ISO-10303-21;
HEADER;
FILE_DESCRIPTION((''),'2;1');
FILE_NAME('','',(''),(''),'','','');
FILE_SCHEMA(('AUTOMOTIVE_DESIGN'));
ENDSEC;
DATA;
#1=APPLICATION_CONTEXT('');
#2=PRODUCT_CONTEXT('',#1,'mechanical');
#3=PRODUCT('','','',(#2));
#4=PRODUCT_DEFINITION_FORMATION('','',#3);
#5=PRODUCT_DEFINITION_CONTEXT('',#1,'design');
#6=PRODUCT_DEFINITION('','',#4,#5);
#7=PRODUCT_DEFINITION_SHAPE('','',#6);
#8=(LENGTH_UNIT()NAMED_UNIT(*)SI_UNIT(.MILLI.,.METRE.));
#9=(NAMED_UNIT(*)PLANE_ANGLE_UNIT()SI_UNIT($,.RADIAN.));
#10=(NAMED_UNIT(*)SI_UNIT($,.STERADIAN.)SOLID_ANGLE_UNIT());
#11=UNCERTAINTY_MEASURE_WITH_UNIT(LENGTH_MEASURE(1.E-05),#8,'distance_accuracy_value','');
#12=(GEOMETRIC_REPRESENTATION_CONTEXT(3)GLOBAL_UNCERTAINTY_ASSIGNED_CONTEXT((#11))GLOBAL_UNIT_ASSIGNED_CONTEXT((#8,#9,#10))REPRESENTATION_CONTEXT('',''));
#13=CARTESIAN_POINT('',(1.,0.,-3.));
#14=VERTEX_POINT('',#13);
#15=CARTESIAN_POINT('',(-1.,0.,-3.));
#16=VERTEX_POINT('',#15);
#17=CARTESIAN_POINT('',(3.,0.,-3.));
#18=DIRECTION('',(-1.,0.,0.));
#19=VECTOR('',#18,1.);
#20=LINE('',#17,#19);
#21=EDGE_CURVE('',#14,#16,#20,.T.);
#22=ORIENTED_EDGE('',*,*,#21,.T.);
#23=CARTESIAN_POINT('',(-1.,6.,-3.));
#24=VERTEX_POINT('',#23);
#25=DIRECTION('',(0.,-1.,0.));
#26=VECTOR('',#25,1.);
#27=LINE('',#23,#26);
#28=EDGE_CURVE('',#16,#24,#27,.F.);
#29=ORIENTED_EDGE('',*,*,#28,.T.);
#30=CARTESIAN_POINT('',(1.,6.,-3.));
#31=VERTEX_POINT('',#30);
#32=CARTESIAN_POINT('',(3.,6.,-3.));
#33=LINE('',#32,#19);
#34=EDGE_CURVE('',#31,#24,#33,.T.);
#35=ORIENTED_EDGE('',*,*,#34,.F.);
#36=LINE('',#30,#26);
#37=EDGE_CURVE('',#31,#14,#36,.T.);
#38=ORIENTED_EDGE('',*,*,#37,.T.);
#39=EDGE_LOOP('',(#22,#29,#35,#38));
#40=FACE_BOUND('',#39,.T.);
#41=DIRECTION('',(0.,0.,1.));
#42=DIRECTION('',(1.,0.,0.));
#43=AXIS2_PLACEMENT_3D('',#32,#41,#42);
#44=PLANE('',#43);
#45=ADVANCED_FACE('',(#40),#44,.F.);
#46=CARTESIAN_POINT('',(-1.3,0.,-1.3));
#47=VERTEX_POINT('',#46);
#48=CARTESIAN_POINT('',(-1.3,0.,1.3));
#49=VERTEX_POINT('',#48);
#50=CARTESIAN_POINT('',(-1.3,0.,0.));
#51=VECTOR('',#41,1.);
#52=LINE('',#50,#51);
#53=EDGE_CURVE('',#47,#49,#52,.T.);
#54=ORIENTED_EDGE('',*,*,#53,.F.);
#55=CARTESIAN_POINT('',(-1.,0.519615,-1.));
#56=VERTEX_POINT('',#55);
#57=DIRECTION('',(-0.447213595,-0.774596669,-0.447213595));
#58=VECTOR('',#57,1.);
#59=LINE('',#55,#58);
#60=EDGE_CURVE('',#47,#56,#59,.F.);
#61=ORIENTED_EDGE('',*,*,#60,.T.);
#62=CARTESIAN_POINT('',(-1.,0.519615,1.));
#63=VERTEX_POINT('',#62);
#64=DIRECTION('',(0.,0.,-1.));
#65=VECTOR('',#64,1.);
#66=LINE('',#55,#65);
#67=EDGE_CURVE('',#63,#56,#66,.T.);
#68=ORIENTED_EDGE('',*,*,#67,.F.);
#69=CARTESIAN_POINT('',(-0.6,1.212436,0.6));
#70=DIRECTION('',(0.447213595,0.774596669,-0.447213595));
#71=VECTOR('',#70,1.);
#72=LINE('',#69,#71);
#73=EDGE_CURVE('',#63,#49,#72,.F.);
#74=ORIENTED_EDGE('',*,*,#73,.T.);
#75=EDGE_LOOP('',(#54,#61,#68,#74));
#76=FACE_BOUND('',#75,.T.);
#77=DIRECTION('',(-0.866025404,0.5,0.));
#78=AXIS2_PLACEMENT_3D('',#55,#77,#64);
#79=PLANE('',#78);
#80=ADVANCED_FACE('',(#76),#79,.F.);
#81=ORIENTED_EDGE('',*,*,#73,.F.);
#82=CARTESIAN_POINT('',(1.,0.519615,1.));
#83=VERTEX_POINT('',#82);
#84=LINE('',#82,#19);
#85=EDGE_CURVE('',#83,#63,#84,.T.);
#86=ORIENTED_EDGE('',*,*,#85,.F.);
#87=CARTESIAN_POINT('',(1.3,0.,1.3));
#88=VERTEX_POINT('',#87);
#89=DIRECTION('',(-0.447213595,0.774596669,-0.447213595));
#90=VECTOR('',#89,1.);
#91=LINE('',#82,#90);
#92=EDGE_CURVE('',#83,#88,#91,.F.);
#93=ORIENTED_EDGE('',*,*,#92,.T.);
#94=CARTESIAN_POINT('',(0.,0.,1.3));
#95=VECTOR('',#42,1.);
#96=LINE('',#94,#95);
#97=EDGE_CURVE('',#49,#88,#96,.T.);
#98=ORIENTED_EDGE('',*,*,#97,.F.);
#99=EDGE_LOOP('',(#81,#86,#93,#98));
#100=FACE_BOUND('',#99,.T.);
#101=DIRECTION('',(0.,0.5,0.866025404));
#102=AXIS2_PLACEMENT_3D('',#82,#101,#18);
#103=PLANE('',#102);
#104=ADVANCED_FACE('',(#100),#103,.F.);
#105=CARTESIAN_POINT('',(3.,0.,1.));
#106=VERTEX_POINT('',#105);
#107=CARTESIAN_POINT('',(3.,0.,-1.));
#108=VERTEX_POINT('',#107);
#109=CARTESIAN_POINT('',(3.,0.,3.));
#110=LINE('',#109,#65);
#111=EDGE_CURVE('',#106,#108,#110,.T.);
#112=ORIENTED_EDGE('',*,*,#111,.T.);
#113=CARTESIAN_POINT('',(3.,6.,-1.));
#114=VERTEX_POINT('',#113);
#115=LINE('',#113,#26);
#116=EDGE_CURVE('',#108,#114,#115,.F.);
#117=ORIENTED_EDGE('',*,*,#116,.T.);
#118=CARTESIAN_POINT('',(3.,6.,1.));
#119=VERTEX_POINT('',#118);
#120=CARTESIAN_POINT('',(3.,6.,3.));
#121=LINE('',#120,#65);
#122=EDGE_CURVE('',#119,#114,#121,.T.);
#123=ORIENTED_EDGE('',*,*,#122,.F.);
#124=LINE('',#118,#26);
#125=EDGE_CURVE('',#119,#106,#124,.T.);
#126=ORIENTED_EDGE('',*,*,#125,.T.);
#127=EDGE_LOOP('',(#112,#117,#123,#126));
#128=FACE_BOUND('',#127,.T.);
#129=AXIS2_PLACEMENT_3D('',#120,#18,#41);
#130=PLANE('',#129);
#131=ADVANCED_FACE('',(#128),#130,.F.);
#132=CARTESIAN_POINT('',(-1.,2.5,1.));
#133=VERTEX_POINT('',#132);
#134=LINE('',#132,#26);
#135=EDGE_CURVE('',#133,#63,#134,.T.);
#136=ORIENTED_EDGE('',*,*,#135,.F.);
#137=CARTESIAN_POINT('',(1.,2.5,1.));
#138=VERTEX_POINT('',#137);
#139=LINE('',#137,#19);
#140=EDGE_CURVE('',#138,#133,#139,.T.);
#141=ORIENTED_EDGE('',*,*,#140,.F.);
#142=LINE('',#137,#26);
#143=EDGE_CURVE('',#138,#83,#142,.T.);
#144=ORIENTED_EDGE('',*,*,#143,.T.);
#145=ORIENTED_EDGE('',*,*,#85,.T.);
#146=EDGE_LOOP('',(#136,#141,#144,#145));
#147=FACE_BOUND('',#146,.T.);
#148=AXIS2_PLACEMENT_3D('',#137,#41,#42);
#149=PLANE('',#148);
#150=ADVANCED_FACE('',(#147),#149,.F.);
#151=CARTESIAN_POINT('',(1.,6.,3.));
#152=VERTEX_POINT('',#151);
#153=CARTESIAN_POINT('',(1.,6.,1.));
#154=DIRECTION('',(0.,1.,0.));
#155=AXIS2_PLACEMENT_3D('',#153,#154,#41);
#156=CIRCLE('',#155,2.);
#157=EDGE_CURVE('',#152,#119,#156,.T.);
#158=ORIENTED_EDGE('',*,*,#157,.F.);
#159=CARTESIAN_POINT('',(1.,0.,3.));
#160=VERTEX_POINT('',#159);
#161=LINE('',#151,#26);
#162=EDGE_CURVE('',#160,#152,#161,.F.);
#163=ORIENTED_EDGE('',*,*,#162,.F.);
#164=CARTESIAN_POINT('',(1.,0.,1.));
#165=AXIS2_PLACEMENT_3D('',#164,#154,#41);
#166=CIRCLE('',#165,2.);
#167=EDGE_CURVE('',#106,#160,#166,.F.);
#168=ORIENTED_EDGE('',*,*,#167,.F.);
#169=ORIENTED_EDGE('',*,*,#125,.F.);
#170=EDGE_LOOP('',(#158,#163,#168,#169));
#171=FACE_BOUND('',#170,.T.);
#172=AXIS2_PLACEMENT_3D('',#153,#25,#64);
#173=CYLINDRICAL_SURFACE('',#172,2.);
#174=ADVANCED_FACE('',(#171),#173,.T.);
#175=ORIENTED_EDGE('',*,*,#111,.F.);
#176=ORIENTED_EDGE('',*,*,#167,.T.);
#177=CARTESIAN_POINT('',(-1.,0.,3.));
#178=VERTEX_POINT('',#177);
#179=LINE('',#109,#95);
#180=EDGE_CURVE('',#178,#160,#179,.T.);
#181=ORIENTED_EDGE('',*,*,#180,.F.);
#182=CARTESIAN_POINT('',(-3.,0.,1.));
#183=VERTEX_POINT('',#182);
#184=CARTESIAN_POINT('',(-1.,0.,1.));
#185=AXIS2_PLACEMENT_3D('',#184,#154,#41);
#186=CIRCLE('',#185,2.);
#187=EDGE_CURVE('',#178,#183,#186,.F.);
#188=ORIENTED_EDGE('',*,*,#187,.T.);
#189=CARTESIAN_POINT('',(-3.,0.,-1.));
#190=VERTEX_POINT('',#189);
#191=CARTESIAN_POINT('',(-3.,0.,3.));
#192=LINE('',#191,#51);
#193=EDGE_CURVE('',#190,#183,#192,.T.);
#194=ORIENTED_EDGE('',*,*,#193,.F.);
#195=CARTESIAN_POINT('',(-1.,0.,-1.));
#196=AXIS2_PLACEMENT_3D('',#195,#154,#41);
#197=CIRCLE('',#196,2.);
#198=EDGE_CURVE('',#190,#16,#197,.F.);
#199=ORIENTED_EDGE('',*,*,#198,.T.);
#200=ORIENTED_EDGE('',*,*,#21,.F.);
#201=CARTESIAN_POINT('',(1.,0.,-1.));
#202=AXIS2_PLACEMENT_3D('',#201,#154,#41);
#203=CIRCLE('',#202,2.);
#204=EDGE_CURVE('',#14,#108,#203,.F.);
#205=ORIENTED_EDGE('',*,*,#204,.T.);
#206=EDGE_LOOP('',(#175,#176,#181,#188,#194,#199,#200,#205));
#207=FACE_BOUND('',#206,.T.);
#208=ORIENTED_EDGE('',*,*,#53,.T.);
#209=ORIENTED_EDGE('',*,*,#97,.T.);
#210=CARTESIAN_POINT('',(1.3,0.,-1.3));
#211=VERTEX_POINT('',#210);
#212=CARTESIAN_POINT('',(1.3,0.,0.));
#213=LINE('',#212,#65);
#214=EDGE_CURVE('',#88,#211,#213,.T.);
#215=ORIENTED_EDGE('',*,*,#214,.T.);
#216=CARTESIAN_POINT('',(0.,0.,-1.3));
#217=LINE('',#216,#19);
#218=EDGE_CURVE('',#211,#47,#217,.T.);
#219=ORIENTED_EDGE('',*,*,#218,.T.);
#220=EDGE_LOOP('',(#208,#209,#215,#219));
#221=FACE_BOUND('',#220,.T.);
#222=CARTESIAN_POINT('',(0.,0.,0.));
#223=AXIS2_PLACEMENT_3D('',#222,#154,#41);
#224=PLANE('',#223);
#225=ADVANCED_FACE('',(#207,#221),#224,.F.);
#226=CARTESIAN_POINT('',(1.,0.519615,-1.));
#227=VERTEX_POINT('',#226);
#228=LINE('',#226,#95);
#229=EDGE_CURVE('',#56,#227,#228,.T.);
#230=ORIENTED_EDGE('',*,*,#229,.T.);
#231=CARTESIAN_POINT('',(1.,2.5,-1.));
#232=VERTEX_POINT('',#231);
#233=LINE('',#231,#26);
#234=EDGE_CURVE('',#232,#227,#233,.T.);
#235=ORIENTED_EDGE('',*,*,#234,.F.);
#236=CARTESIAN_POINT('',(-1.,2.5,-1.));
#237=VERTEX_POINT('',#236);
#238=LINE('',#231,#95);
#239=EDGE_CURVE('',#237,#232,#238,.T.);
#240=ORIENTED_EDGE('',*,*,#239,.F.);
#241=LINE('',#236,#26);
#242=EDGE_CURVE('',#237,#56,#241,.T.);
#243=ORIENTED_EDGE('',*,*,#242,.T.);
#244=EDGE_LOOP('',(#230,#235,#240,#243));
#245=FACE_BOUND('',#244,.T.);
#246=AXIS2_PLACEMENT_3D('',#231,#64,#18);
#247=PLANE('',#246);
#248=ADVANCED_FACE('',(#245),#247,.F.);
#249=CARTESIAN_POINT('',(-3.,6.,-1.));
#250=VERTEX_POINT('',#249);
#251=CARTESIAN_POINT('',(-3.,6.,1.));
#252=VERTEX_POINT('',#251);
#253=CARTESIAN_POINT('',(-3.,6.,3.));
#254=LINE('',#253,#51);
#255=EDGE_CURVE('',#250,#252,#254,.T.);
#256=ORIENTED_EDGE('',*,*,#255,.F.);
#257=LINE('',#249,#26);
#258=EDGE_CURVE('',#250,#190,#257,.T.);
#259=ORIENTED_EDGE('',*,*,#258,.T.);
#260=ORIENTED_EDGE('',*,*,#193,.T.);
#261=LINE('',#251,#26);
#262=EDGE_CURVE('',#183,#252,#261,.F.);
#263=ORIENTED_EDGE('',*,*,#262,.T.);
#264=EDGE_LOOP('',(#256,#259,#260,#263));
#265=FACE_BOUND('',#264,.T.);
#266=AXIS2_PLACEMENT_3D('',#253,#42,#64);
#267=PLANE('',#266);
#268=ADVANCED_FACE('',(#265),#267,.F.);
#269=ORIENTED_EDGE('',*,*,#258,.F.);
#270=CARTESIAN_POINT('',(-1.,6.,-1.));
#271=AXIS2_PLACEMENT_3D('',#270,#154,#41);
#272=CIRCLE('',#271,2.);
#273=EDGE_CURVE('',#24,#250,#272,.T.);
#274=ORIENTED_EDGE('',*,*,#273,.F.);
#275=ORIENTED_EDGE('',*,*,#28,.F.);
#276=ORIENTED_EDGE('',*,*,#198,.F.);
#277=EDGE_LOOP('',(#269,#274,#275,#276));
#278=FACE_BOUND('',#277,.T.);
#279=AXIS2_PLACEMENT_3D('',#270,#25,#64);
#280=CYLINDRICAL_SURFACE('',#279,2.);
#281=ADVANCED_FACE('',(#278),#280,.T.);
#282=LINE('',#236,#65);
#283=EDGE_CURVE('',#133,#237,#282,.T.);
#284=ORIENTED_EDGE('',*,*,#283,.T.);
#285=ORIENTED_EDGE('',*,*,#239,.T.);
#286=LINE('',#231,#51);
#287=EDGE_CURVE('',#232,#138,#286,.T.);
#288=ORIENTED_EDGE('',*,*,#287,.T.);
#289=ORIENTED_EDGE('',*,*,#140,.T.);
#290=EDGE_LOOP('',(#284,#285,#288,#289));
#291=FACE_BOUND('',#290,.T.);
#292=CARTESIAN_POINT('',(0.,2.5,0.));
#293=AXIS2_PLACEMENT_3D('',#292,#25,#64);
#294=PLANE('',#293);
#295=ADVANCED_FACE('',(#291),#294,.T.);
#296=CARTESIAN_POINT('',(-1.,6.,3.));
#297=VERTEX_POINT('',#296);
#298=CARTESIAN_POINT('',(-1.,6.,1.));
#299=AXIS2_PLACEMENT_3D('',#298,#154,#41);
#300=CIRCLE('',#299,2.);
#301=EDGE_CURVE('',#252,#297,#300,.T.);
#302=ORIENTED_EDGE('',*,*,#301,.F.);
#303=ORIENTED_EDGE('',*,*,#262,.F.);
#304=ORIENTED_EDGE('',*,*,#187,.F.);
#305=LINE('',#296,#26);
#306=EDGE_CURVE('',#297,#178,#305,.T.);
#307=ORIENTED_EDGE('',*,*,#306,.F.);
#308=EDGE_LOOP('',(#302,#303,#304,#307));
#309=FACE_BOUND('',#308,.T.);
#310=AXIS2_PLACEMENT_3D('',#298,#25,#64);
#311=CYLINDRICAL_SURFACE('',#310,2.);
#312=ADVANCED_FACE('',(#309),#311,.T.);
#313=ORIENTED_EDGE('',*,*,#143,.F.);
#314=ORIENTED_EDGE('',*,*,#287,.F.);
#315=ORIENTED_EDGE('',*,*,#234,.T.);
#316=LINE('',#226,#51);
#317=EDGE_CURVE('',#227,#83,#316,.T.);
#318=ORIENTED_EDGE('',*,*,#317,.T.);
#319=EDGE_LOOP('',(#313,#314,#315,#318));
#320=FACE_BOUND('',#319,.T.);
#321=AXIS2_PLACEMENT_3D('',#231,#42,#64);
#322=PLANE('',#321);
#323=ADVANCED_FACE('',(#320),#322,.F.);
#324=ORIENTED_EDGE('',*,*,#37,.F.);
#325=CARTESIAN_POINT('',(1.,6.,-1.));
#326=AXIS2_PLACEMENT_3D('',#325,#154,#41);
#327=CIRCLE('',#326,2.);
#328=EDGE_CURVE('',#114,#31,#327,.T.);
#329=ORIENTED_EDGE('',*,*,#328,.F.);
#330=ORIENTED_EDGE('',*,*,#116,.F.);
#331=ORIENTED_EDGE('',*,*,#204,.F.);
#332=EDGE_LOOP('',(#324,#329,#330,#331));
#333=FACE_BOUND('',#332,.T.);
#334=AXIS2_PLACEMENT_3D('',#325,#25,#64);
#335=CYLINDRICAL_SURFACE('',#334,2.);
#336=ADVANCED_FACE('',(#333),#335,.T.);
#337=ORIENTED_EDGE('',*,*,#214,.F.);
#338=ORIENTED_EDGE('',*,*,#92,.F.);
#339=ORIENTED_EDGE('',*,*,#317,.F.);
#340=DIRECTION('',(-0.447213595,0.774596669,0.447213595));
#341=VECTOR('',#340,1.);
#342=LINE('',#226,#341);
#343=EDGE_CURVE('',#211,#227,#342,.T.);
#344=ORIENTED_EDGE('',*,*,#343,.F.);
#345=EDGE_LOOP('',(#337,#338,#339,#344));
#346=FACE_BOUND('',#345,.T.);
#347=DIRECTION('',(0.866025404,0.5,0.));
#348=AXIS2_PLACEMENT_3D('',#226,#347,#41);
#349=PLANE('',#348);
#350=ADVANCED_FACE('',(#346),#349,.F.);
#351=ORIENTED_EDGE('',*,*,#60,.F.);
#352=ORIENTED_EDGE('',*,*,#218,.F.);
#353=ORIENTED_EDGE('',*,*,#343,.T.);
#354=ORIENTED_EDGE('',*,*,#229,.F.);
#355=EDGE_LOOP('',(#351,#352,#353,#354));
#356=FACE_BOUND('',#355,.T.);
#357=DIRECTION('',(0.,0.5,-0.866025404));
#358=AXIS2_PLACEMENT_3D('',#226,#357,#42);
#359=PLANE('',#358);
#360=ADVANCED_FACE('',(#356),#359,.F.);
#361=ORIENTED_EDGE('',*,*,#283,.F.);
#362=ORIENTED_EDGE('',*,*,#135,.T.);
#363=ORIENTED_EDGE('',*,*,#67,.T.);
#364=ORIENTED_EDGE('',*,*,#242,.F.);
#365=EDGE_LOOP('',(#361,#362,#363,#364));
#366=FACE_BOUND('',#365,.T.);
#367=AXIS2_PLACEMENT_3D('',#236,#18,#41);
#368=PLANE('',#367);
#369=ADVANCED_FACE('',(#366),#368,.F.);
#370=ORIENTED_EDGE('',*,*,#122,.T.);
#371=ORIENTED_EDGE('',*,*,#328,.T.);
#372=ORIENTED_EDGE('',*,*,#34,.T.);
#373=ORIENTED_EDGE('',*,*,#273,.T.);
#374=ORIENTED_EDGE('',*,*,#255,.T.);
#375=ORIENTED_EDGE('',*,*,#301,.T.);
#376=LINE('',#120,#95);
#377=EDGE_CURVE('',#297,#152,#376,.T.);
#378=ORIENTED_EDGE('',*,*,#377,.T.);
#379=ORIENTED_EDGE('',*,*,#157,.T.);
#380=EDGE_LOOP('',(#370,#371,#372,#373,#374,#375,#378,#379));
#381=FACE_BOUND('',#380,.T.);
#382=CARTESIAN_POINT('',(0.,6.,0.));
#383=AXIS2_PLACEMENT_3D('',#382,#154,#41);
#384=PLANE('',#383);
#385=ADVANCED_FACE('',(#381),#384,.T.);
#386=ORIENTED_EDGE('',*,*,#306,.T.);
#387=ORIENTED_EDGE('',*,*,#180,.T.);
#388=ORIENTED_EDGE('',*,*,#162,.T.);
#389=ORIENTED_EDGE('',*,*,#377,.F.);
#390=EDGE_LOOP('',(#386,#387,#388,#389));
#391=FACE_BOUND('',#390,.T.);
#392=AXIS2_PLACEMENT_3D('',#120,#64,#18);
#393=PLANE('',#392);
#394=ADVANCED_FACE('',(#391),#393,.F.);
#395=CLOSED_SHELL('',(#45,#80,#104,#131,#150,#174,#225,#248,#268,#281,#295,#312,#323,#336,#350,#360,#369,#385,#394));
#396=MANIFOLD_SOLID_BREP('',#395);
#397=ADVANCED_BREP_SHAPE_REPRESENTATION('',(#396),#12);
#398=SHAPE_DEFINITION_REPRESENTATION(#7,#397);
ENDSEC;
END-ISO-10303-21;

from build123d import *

# Parameters (mm, degrees)
SKETCH1_W           = 6
SKETCH1_H           = 6
BOSS_EXTRUDE1_DEPTH = 6
SKETCH2_W           = 2
SKETCH2_H           = 2
CUT_EXTRUDE1_DEPTH  = 2.5
FILLET1_R           = 2
CHAMFER1_SIZE       = 0.3
CHAMFER1_SIZE2      = 0.519615242


with BuildPart() as part:
    # Sketch1 → Boss-Extrude1 (new body)
    with BuildSketch(Plane(origin=(0, 0, 0), x_dir=(1, 0, 0), z_dir=(0, 1, 0))):
        Rectangle(SKETCH1_W, SKETCH1_H)
    extrude(amount=BOSS_EXTRUDE1_DEPTH)

    # Sketch2 → Cut-Extrude1 (cut)
    with BuildSketch(Plane.XZ):
        Rectangle(SKETCH2_W, SKETCH2_H)
    extrude(amount=-CUT_EXTRUDE1_DEPTH, mode=Mode.SUBTRACT)

    # Fillet1
    fillet1_edges = [part.edges().sort_by_distance(p)[0] for p in [
        (-3, 3, -3),
        (3, 3, -3),
        (3, 3, 3),
        (-3, 3, 3),
    ]]
    fillet(fillet1_edges, radius=FILLET1_R)

    # Chamfer1
    chamfer1_edges = [part.edges().sort_by_distance(p)[0] for p in [
        (-1, 0, 0),
        (0, 0, -1),
        (1, 0, 0),
        (0, 0, 1),
    ]]
    chamfer1_side = [part.faces().sort_by_distance(p)[0] for p in [
        (0, 0, 2.915147186),
    ]]
    chamfer(chamfer1_edges, length=CHAMFER1_SIZE, length2=CHAMFER1_SIZE2, reference=chamfer1_side[0])


solid = part.part
